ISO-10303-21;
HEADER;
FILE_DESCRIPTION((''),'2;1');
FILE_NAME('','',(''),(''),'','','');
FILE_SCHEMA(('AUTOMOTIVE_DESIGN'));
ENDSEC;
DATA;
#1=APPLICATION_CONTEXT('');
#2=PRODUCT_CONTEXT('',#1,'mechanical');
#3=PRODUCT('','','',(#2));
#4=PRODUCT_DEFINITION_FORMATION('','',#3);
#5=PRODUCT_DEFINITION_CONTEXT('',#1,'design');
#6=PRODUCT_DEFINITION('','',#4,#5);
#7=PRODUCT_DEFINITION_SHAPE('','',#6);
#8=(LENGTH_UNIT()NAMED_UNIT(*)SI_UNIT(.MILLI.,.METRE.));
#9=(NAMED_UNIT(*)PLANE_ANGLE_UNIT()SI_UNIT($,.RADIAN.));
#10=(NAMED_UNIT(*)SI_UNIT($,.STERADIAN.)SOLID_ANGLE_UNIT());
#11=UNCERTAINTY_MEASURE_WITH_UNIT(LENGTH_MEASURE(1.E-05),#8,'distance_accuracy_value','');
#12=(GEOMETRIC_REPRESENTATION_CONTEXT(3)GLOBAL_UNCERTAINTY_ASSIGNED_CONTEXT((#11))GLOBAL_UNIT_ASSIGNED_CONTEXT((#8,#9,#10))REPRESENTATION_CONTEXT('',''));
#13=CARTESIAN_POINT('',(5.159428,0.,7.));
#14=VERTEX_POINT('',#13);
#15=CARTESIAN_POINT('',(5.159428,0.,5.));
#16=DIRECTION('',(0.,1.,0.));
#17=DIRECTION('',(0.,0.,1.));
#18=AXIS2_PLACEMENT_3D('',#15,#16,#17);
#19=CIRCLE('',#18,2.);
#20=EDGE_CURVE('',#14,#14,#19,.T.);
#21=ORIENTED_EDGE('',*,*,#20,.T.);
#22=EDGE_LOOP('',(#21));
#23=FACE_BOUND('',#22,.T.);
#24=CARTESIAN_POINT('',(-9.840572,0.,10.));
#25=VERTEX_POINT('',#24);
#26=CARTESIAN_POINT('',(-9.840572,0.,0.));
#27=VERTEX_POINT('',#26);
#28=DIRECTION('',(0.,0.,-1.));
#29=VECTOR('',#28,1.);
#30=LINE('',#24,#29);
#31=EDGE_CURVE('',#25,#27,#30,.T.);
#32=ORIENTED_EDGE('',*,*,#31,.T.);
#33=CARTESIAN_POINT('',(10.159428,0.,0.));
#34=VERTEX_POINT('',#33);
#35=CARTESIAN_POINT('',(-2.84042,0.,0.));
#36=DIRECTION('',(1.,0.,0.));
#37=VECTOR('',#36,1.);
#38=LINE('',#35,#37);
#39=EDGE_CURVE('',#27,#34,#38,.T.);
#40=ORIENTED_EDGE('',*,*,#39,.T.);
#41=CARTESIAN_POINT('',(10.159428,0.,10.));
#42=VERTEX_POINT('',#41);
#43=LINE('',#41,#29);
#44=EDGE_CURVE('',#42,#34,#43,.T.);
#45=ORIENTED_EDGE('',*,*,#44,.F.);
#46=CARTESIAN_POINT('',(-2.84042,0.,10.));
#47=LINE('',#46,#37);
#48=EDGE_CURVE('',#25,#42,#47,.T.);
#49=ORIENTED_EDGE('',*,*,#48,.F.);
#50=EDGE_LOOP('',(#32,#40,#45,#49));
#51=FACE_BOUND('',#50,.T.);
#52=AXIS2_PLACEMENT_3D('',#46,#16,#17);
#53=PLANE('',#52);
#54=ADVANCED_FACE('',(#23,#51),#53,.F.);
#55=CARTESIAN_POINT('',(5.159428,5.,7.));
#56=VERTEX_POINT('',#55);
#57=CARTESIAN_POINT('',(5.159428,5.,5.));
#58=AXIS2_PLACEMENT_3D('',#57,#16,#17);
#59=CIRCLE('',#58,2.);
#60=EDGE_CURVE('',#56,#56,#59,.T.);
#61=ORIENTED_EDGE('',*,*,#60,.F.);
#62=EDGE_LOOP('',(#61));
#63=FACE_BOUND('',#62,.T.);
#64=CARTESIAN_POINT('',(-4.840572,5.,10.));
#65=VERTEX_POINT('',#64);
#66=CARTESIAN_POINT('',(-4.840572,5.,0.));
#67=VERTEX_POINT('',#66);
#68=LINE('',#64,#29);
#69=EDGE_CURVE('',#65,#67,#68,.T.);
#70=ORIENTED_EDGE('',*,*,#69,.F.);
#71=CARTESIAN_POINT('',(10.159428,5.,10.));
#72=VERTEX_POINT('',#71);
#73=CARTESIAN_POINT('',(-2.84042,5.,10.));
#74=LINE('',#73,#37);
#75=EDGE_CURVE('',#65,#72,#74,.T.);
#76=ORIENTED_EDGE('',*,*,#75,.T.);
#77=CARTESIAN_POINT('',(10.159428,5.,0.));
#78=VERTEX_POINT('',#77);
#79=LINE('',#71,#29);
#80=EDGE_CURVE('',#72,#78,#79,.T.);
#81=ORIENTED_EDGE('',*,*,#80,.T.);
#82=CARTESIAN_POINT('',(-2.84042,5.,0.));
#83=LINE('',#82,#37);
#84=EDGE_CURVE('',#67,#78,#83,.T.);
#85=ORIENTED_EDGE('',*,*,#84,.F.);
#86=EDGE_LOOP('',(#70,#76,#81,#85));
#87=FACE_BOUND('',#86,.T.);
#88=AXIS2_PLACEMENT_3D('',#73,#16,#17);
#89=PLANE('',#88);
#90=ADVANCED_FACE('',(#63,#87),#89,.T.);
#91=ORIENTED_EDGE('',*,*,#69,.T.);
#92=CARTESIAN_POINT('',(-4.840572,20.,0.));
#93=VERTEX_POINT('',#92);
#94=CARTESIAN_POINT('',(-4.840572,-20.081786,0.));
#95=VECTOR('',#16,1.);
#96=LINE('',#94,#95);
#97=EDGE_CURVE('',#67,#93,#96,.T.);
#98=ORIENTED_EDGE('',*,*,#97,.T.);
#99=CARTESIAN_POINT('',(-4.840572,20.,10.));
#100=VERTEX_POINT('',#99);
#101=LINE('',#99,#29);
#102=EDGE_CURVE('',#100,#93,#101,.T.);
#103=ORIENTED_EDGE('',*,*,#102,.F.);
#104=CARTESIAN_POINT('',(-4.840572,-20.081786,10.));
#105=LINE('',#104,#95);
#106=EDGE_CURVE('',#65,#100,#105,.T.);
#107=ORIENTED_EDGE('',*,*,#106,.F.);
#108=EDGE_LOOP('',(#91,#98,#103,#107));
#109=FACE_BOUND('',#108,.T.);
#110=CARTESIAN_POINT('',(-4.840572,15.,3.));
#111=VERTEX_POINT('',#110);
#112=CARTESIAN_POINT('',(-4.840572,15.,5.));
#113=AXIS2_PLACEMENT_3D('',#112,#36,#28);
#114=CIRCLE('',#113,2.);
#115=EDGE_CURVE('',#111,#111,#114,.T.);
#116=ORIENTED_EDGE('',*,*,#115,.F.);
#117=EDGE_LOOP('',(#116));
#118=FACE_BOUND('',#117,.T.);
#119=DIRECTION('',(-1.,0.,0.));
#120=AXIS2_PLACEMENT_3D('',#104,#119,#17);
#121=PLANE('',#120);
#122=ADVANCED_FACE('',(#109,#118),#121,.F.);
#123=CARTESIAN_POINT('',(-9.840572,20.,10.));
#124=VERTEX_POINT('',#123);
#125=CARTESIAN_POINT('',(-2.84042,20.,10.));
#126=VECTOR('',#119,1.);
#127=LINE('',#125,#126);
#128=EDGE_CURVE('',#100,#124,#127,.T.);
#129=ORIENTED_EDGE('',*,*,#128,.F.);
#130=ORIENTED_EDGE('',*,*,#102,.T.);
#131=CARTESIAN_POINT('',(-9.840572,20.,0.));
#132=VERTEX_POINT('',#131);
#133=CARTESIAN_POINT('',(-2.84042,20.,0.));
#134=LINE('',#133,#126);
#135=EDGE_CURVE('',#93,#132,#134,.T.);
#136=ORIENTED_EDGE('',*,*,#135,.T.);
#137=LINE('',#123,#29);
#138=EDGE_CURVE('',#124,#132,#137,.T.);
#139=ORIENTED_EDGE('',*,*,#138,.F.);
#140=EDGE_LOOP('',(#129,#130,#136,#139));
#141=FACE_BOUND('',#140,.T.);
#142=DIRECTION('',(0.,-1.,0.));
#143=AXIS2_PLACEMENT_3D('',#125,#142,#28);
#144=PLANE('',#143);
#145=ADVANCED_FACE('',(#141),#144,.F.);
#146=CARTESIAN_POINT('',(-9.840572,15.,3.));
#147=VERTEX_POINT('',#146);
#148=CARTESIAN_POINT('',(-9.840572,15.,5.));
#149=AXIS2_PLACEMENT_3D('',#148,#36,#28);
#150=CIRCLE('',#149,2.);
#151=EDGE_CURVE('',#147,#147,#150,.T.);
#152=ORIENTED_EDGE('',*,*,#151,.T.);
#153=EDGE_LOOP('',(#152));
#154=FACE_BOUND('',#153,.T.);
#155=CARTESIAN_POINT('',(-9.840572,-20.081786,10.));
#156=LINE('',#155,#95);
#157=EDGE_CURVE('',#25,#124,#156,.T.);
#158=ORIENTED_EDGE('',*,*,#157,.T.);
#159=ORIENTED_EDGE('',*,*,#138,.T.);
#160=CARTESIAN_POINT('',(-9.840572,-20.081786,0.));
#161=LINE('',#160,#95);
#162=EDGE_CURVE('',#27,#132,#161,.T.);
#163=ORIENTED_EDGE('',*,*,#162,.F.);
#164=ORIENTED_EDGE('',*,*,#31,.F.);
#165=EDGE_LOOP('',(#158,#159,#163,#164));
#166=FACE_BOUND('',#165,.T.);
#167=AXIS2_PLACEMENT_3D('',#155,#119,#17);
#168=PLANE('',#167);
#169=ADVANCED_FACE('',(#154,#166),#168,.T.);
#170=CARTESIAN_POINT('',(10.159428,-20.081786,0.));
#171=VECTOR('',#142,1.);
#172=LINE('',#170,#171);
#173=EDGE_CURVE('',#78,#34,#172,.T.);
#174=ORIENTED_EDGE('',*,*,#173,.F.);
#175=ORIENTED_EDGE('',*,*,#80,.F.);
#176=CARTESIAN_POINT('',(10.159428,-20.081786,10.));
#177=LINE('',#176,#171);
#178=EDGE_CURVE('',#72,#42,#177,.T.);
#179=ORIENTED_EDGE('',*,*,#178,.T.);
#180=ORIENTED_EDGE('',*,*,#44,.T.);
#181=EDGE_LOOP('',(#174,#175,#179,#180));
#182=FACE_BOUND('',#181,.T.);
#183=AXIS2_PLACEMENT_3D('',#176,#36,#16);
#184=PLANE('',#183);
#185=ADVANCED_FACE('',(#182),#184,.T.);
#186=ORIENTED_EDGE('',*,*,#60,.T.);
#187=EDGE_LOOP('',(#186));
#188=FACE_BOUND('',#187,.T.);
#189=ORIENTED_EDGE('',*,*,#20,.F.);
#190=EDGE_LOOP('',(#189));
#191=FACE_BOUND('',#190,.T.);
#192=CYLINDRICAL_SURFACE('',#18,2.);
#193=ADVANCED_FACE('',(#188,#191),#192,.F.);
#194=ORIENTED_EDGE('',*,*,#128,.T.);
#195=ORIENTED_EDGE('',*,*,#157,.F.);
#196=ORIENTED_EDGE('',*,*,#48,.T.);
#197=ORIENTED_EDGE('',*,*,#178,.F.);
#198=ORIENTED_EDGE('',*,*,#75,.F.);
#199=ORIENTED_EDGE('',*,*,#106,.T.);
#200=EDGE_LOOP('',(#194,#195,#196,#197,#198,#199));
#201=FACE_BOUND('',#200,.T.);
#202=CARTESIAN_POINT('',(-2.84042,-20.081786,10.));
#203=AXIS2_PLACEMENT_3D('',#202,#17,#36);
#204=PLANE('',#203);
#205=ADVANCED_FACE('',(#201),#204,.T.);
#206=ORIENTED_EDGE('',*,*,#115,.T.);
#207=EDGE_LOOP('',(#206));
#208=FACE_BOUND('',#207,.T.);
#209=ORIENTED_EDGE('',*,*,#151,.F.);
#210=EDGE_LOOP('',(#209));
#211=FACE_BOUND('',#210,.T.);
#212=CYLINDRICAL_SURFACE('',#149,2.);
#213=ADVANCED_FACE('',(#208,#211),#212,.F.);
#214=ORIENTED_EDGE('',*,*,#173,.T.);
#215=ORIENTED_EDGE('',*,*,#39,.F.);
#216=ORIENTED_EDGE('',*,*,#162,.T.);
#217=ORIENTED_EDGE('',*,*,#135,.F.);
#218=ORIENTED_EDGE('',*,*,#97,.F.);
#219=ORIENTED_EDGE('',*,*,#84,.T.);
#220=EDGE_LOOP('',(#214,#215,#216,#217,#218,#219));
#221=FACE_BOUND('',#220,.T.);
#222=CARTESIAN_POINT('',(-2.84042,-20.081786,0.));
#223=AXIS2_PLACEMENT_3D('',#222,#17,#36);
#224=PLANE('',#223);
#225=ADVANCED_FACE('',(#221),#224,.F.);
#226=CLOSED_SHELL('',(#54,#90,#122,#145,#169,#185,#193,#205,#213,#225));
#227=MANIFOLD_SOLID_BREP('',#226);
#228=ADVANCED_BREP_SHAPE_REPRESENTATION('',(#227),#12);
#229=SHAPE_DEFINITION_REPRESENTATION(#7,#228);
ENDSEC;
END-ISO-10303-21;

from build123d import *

# Parameters (mm, degrees)
SKETCH1_W           = 5
SKETCH1_H           = 15
SKETCH1_H_2         = 5
SKETCH1_W_2         = 15
BOSS_EXTRUDE2_DEPTH = 10
SKETCH3_R           = 2
CUT_EXTRUDE1_DEPTH  = 6
SKETCH4_R           = 2
CUT_EXTRUDE2_DEPTH  = 6


with BuildPart() as part:
    # Sketch1 → Boss-Extrude2 (new body)
    with BuildSketch(Plane.XY):
        with Locations((-7.340572317, 12.5)):
            Rectangle(SKETCH1_W, SKETCH1_H)
        with Locations((-7.340572317, 2.5)):
            Rectangle(SKETCH1_W, SKETCH1_H_2)
        with Locations((2.659427683, 2.5)):
            Rectangle(SKETCH1_W_2, SKETCH1_H_2)
    extrude(amount=BOSS_EXTRUDE2_DEPTH)

    # Sketch3 → Cut-Extrude1 (cut, through all)
    with BuildSketch(Plane(origin=(0, 5, 0), x_dir=(1, 0, 0), z_dir=(0, 1, 0))):
        with Locations((5.159427683, -5)):
            Circle(SKETCH3_R)
    extrude(amount=-CUT_EXTRUDE1_DEPTH, mode=Mode.SUBTRACT)

    # Sketch4 → Cut-Extrude2 (cut, through all)
    with BuildSketch(Plane(origin=(-4.840572317, 0, 0), x_dir=(0, 0, -1), z_dir=(1, 0, 0))):
        with Locations((-5, 15)):
            Circle(SKETCH4_R)
    extrude(amount=-CUT_EXTRUDE2_DEPTH, mode=Mode.SUBTRACT)


solid = part.part
